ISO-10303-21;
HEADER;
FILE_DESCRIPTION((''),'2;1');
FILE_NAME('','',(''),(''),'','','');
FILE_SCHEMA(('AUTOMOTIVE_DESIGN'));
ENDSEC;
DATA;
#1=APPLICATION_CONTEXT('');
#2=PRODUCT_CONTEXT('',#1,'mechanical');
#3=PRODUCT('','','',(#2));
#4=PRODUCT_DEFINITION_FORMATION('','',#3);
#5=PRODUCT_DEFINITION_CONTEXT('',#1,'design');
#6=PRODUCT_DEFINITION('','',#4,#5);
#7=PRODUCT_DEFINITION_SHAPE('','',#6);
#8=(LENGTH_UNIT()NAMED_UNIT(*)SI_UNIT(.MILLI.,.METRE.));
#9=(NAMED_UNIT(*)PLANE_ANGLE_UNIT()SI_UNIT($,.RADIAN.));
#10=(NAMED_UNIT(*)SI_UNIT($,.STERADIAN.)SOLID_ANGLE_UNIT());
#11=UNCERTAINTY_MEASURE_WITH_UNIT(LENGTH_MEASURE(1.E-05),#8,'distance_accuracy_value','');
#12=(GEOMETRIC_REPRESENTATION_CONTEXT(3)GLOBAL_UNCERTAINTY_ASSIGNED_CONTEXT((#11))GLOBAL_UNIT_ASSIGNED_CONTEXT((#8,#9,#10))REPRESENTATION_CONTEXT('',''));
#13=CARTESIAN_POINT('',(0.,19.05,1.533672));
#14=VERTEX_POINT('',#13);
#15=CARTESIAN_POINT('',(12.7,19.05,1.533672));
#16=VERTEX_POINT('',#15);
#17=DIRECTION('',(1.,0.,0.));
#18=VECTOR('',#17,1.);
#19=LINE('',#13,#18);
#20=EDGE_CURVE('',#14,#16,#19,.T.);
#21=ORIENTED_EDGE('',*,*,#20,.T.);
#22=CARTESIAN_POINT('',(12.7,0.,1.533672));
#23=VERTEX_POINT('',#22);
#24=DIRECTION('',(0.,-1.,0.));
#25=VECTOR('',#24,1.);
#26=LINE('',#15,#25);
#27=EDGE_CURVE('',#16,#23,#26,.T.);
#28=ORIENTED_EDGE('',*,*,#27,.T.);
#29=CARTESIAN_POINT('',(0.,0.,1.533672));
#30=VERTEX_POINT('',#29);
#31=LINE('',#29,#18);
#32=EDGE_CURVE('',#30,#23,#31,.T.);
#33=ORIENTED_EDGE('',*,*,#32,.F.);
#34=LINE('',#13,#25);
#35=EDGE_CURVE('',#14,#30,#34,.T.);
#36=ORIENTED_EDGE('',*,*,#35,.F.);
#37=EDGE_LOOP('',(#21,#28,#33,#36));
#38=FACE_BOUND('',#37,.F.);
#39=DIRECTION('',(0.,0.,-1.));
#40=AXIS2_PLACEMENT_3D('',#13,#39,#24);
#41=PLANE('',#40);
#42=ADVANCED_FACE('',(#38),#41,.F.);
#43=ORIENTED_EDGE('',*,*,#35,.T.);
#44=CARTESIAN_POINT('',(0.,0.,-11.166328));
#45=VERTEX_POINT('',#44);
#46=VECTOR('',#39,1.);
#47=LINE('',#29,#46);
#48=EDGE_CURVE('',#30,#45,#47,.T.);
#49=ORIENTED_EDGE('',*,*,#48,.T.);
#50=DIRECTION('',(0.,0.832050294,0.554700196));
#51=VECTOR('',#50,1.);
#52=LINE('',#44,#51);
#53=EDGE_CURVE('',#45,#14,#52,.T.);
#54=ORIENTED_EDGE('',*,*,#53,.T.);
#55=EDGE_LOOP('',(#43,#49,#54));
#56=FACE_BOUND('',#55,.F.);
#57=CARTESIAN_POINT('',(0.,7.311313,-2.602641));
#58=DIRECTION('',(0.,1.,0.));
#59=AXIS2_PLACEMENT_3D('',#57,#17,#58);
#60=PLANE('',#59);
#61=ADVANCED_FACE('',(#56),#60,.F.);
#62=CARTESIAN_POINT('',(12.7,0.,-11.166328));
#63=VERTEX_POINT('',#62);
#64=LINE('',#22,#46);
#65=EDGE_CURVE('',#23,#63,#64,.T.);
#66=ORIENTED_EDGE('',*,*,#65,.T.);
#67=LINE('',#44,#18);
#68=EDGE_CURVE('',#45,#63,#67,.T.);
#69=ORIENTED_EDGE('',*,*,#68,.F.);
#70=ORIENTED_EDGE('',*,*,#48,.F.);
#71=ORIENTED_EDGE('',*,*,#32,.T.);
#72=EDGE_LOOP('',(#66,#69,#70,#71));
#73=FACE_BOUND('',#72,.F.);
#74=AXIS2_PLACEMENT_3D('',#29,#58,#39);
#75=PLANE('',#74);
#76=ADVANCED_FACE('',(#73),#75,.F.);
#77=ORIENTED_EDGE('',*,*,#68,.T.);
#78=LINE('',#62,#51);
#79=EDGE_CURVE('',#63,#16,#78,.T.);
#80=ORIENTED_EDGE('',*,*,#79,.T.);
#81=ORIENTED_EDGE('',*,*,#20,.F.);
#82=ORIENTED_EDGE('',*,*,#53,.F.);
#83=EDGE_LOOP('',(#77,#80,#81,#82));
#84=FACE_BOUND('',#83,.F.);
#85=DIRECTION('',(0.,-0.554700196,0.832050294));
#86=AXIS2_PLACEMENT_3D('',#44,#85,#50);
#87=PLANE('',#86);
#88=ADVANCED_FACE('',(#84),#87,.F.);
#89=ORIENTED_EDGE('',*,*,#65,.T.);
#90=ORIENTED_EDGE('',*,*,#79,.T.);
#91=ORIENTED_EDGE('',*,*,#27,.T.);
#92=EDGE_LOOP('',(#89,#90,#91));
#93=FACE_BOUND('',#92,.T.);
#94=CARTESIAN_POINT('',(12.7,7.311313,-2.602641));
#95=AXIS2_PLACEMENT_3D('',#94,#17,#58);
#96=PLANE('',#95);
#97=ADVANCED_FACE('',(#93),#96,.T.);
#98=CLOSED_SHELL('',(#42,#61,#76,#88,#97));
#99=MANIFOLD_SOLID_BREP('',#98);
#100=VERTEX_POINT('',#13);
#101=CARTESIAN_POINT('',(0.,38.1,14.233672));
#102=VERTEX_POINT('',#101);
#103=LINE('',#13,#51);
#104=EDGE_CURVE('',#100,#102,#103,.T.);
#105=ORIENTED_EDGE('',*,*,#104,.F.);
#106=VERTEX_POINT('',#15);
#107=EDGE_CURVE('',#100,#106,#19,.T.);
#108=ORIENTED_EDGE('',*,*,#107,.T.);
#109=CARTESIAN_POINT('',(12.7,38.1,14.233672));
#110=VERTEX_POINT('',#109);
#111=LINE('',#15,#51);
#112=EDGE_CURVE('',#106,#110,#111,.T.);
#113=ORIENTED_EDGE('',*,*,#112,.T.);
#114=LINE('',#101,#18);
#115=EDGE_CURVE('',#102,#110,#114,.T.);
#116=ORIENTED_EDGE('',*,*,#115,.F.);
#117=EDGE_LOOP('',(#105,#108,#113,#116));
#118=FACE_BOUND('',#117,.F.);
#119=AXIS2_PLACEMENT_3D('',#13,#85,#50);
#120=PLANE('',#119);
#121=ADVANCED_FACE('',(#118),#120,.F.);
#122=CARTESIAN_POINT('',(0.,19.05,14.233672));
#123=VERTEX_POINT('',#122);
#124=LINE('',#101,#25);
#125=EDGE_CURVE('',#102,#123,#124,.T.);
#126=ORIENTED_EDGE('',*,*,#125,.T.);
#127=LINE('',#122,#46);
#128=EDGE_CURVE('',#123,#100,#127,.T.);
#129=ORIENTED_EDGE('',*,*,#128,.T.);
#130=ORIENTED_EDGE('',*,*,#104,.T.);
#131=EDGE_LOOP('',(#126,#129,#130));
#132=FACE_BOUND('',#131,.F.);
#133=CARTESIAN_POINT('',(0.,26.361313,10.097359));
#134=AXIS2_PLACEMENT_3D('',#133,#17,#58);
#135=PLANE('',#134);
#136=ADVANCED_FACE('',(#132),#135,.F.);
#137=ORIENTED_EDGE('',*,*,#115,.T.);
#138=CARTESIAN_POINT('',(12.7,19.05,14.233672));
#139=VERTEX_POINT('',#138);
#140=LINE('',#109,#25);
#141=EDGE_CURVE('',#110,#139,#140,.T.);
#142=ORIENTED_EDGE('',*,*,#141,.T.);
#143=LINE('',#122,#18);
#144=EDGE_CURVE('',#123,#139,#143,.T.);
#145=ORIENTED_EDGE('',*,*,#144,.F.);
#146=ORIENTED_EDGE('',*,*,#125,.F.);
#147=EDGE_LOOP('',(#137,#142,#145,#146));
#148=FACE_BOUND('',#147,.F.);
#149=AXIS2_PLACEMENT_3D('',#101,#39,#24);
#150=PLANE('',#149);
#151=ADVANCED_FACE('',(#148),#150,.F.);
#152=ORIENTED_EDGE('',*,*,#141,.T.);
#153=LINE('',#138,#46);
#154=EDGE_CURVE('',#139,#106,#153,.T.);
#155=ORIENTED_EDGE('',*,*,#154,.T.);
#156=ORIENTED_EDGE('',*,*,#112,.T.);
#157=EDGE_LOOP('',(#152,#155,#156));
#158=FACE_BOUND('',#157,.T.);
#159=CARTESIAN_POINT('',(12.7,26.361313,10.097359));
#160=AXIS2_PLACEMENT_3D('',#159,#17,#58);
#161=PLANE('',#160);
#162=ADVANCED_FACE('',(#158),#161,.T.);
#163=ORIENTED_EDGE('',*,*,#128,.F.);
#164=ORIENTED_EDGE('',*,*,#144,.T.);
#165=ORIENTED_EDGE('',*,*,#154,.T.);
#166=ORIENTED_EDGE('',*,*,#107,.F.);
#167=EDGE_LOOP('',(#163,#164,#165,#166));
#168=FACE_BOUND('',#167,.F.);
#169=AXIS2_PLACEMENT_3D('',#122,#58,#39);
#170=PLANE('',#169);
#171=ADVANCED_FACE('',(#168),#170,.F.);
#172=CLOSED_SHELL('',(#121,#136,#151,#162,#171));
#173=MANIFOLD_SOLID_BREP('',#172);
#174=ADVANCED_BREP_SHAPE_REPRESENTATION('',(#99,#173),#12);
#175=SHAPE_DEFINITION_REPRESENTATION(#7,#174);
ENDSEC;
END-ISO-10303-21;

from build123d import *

# Parameters (mm, degrees)
F1_DEPTH = 12.7


with BuildPart() as f1:
    # F0 (on Right) → F1 (new body)
    with BuildSketch(Plane.YZ):
        Polygon((19.05, 1.533672), (38.1, 14.233672), (19.05, 14.233672), align=None)
        Polygon((0, -11.166328), (19.05, 1.533672), (0, 1.533672), align=None)
    extrude(amount=F1_DEPTH)


solid = f1.part
